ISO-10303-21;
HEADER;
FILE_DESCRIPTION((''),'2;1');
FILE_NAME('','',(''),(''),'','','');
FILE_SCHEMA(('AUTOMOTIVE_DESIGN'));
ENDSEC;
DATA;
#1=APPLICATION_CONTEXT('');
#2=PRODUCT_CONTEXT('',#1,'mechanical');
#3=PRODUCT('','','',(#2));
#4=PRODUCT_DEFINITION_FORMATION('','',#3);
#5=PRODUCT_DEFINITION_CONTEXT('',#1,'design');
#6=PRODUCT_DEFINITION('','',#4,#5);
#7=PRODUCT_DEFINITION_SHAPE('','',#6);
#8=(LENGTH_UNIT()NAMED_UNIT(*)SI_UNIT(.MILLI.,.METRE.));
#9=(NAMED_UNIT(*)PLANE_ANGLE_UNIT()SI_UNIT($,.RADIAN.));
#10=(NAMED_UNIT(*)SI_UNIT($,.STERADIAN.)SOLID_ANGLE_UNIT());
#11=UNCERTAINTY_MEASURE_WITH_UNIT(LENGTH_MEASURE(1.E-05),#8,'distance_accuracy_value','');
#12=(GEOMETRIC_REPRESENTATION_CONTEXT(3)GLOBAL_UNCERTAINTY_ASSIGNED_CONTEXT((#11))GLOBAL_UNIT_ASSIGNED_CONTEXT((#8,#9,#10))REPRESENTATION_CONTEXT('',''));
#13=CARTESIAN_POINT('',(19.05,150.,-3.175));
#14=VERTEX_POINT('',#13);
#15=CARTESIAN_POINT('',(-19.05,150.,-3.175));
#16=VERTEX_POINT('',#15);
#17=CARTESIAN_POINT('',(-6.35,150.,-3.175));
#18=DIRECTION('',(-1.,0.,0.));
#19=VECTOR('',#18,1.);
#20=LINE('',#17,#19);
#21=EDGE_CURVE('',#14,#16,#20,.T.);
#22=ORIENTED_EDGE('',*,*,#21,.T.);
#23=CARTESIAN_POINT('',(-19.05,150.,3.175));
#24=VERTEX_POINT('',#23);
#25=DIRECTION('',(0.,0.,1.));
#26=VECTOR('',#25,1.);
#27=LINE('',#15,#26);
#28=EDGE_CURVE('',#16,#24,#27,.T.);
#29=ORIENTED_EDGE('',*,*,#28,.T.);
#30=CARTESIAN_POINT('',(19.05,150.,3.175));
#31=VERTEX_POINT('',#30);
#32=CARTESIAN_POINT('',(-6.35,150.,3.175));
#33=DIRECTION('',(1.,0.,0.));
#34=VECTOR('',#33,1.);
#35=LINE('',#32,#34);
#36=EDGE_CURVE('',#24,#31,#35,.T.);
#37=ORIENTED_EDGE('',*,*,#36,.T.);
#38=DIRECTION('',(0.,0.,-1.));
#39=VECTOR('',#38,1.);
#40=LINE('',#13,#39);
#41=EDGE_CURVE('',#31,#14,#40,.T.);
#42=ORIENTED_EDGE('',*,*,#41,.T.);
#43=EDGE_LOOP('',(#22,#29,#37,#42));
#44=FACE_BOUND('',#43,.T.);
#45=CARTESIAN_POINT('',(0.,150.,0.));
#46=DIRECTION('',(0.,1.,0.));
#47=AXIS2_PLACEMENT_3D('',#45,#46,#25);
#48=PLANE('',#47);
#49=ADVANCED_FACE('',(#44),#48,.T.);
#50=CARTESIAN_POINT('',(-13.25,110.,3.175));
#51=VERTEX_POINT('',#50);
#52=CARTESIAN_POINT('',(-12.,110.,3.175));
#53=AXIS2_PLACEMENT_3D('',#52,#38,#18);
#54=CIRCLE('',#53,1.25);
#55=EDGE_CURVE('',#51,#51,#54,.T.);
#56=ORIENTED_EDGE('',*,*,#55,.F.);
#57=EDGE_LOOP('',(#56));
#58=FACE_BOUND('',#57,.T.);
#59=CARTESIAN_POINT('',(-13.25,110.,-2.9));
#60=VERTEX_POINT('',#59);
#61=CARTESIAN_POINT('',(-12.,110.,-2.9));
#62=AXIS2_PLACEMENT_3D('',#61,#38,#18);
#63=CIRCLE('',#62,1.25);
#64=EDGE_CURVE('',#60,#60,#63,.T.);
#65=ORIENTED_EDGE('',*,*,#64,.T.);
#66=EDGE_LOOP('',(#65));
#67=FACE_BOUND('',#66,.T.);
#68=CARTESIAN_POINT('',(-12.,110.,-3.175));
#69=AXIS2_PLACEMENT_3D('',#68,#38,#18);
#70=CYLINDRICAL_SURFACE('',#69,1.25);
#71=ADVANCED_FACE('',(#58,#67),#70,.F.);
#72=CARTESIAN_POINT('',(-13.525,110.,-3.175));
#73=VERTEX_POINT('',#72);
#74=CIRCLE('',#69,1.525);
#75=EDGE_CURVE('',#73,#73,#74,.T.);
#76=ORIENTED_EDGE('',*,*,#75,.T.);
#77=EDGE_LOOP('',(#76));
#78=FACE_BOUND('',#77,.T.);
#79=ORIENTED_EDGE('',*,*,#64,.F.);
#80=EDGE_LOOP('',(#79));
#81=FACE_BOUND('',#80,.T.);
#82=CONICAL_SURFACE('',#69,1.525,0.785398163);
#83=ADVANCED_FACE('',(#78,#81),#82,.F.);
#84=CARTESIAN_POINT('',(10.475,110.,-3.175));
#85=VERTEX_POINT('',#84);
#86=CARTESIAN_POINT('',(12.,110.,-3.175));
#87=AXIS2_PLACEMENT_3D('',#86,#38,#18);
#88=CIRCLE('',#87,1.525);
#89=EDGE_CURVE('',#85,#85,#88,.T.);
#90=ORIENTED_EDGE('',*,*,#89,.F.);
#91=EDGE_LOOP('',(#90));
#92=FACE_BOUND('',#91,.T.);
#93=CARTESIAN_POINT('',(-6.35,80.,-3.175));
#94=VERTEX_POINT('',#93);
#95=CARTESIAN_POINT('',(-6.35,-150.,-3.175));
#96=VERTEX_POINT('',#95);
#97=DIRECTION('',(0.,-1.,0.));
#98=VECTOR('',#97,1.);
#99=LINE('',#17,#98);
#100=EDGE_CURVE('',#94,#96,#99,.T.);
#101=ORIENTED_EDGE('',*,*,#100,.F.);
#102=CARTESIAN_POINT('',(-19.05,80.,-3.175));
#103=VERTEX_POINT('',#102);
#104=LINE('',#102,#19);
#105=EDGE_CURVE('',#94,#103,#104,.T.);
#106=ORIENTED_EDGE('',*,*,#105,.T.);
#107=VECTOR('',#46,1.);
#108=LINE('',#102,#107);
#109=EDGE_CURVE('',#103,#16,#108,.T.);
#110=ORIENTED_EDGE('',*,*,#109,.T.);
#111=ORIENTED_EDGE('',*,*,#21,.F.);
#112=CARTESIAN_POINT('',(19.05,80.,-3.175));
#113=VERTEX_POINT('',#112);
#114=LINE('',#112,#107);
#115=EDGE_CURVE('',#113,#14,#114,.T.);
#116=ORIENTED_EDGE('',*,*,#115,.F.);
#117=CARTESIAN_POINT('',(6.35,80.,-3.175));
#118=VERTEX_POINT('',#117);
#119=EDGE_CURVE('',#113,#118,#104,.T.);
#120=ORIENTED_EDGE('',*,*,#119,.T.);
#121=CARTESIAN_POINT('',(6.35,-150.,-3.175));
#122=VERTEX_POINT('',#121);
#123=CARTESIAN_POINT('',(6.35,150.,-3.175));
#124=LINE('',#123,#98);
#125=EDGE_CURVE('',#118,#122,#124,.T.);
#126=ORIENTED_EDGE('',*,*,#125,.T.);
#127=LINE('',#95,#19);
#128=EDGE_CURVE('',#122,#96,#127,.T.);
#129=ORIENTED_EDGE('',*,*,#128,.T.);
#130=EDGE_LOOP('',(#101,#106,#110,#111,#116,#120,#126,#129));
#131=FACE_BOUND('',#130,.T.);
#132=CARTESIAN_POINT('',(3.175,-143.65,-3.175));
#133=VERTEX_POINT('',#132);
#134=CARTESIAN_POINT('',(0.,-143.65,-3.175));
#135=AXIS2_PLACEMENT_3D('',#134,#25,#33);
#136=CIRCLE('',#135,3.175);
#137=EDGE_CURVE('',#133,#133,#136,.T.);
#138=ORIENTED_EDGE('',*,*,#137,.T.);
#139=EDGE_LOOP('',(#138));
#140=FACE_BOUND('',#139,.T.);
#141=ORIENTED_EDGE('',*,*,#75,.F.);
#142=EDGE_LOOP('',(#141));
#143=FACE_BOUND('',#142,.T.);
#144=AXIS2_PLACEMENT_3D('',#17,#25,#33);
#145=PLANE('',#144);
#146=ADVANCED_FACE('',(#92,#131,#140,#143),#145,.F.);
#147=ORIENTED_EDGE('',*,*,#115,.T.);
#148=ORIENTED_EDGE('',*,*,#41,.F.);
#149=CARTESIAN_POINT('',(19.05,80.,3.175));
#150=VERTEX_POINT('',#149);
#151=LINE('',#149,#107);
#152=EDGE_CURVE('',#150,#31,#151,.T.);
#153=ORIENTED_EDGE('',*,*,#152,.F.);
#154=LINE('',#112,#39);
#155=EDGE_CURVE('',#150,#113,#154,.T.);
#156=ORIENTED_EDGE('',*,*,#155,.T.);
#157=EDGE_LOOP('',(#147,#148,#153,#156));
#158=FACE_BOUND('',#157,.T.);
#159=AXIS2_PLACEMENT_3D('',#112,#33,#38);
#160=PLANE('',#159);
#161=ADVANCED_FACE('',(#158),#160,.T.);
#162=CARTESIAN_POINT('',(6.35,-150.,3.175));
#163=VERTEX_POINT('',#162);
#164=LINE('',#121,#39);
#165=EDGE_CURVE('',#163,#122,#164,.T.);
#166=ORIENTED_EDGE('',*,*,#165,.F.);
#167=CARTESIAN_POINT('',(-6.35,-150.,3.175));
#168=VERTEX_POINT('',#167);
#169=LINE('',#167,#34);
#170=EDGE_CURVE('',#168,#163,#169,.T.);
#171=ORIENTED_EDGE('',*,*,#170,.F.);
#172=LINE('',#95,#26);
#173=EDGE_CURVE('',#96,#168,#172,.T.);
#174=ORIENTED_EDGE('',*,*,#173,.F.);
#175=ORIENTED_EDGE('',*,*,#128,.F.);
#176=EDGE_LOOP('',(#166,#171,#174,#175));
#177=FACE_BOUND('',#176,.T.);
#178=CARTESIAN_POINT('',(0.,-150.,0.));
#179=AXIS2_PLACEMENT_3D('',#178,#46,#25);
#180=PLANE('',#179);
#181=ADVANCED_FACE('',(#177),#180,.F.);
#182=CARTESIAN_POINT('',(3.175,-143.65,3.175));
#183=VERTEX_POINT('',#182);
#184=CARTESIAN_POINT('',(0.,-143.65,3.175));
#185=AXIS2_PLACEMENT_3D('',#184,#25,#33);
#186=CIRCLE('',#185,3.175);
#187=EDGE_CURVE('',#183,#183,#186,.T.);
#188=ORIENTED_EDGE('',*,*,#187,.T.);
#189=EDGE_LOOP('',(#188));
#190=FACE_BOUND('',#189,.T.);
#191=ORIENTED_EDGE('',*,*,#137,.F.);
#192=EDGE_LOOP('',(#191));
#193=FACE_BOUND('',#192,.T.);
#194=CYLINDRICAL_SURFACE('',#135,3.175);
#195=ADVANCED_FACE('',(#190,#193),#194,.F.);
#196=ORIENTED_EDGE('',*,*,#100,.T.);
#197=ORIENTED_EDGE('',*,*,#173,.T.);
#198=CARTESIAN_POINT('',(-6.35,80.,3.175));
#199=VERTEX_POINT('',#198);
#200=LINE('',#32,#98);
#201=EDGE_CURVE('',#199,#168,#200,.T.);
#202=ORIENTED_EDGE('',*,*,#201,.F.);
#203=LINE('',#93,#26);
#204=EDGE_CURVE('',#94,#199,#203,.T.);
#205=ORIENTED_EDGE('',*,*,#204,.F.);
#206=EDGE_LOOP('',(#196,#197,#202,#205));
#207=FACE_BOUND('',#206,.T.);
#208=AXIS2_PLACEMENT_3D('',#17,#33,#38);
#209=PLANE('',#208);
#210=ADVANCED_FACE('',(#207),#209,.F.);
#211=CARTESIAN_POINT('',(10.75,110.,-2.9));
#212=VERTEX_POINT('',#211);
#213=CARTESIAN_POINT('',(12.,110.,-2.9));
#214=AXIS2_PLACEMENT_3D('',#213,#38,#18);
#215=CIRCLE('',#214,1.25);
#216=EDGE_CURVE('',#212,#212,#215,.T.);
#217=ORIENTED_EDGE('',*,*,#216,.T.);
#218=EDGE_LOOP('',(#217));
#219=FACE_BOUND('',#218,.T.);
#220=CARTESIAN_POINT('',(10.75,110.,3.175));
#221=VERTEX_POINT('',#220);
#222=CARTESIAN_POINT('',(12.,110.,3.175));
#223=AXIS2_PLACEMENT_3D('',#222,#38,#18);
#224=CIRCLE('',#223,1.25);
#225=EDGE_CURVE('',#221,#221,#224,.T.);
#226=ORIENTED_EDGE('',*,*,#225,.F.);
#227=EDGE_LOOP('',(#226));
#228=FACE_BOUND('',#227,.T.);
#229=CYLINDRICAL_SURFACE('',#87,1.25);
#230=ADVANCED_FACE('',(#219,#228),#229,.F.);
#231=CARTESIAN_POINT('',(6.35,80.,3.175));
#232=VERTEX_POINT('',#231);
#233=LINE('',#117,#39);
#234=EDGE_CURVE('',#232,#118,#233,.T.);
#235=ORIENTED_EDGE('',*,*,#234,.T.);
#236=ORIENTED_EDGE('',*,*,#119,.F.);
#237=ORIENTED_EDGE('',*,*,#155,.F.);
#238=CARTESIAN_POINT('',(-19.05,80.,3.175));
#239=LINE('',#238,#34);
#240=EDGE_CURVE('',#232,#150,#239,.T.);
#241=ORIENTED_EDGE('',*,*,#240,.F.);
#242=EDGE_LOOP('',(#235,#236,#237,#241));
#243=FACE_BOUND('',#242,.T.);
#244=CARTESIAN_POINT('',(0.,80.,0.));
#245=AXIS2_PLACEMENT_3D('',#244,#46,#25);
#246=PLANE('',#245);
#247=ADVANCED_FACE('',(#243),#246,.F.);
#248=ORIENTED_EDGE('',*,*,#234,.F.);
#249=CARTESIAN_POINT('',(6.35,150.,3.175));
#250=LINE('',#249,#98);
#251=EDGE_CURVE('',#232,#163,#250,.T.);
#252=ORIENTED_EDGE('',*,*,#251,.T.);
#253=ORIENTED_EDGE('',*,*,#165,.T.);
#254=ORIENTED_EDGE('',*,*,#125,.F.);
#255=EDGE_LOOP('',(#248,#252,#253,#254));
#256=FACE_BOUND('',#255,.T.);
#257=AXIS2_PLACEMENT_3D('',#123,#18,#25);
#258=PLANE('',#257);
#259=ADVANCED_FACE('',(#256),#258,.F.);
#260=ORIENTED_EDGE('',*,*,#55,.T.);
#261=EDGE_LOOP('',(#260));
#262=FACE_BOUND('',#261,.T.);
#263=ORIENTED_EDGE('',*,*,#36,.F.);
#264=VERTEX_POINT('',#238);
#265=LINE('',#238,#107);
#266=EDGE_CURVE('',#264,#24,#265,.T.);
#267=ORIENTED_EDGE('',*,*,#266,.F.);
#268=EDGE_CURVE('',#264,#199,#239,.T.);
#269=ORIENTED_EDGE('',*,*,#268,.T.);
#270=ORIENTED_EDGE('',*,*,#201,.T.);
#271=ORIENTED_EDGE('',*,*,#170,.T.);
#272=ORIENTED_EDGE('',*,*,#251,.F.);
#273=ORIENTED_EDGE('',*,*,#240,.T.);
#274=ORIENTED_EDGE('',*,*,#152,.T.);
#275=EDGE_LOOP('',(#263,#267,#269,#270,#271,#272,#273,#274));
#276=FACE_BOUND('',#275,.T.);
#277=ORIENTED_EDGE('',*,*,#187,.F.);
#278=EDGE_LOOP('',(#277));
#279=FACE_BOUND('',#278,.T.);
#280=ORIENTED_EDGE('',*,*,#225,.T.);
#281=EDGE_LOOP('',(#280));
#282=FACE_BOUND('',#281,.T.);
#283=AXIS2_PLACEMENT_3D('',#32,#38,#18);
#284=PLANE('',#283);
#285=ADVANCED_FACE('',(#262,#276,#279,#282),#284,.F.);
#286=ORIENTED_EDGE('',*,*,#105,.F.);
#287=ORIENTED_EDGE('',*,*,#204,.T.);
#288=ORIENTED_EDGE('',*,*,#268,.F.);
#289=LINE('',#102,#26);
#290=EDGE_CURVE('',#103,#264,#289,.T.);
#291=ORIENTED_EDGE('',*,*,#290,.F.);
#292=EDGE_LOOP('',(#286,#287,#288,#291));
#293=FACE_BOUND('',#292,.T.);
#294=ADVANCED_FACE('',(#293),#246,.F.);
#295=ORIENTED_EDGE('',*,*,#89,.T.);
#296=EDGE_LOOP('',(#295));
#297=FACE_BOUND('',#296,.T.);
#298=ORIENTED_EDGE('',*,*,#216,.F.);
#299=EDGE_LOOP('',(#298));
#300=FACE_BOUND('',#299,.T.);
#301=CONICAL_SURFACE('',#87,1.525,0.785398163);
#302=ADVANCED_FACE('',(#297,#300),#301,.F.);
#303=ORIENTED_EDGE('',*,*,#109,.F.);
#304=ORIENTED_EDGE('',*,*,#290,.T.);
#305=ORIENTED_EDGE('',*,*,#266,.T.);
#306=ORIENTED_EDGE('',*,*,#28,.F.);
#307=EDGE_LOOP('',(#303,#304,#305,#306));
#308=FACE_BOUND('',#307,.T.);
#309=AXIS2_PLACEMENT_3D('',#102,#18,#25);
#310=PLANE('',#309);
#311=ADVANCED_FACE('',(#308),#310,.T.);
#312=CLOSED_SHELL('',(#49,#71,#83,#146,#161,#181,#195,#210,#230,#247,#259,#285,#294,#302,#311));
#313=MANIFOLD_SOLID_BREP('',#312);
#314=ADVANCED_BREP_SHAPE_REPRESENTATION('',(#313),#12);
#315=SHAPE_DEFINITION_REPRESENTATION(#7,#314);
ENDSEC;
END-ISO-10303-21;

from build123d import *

# Parameters (mm, degrees)
CROQUIS1_W                      = 12.7
CROQUIS1_H                      = 6.35
SALIENTE_EXTRUIR1_DEPTH         = 150
CORTAR_EXTRUIR1_DEPTH           = 151.16791643
CORTAR_EXTRUIR1_DEPTH_BACK      = 151.16791643
CROQUIS2_R                      = 3.175
CROQUIS3_W                      = 38.1
CROQUIS3_H                      = 6.35
SALIENTE_EXTRUIR2_DEPTH         = 70
TALADRO_ROSCADO_M31_D           = 2.5
TALADRO_ROSCADO_M31_CSINK_D     = 3.05
TALADRO_ROSCADO_M31_CSINK_ANGLE = 90


with BuildPart() as part:
    # Croquis1 → Saliente-Extruir1 (new, symmetric)
    with BuildSketch(Plane(origin=(0, 0, 0), x_dir=(1, 0, 0), z_dir=(0, 1, 0))):
        Rectangle(CROQUIS1_W, CROQUIS1_H)
    extrude(amount=SALIENTE_EXTRUIR1_DEPTH, both=True)

    # Croquis2 → Cortar-Extruir1 (cut, two sides: drawn at the far end of the back side and taken through both)
    with BuildSketch(Plane.XY.offset(-CORTAR_EXTRUIR1_DEPTH_BACK)):
        with Locations((0, -143.65)):
            Circle(CROQUIS2_R)
    extrude(amount=CORTAR_EXTRUIR1_DEPTH + CORTAR_EXTRUIR1_DEPTH_BACK, mode=Mode.SUBTRACT)

    # Croquis3 → Saliente-Extruir2 (add)
    with BuildSketch(Plane(origin=(0, 150, 0), x_dir=(1, 0, 0), z_dir=(0, 1, 0))):
        Rectangle(CROQUIS3_W, CROQUIS3_H)
    extrude(amount=-SALIENTE_EXTRUIR2_DEPTH)

    # Taladro roscado M31 (through all)
    with Locations(Plane(origin=(0, 0, -3.175), x_dir=(-1, 0, 0), z_dir=(0, 0, -1))):
        with Locations((12, 110), (-12, 110)):
            CounterSinkHole(TALADRO_ROSCADO_M31_D / 2, TALADRO_ROSCADO_M31_CSINK_D / 2, counter_sink_angle=TALADRO_ROSCADO_M31_CSINK_ANGLE)


solid = part.part
